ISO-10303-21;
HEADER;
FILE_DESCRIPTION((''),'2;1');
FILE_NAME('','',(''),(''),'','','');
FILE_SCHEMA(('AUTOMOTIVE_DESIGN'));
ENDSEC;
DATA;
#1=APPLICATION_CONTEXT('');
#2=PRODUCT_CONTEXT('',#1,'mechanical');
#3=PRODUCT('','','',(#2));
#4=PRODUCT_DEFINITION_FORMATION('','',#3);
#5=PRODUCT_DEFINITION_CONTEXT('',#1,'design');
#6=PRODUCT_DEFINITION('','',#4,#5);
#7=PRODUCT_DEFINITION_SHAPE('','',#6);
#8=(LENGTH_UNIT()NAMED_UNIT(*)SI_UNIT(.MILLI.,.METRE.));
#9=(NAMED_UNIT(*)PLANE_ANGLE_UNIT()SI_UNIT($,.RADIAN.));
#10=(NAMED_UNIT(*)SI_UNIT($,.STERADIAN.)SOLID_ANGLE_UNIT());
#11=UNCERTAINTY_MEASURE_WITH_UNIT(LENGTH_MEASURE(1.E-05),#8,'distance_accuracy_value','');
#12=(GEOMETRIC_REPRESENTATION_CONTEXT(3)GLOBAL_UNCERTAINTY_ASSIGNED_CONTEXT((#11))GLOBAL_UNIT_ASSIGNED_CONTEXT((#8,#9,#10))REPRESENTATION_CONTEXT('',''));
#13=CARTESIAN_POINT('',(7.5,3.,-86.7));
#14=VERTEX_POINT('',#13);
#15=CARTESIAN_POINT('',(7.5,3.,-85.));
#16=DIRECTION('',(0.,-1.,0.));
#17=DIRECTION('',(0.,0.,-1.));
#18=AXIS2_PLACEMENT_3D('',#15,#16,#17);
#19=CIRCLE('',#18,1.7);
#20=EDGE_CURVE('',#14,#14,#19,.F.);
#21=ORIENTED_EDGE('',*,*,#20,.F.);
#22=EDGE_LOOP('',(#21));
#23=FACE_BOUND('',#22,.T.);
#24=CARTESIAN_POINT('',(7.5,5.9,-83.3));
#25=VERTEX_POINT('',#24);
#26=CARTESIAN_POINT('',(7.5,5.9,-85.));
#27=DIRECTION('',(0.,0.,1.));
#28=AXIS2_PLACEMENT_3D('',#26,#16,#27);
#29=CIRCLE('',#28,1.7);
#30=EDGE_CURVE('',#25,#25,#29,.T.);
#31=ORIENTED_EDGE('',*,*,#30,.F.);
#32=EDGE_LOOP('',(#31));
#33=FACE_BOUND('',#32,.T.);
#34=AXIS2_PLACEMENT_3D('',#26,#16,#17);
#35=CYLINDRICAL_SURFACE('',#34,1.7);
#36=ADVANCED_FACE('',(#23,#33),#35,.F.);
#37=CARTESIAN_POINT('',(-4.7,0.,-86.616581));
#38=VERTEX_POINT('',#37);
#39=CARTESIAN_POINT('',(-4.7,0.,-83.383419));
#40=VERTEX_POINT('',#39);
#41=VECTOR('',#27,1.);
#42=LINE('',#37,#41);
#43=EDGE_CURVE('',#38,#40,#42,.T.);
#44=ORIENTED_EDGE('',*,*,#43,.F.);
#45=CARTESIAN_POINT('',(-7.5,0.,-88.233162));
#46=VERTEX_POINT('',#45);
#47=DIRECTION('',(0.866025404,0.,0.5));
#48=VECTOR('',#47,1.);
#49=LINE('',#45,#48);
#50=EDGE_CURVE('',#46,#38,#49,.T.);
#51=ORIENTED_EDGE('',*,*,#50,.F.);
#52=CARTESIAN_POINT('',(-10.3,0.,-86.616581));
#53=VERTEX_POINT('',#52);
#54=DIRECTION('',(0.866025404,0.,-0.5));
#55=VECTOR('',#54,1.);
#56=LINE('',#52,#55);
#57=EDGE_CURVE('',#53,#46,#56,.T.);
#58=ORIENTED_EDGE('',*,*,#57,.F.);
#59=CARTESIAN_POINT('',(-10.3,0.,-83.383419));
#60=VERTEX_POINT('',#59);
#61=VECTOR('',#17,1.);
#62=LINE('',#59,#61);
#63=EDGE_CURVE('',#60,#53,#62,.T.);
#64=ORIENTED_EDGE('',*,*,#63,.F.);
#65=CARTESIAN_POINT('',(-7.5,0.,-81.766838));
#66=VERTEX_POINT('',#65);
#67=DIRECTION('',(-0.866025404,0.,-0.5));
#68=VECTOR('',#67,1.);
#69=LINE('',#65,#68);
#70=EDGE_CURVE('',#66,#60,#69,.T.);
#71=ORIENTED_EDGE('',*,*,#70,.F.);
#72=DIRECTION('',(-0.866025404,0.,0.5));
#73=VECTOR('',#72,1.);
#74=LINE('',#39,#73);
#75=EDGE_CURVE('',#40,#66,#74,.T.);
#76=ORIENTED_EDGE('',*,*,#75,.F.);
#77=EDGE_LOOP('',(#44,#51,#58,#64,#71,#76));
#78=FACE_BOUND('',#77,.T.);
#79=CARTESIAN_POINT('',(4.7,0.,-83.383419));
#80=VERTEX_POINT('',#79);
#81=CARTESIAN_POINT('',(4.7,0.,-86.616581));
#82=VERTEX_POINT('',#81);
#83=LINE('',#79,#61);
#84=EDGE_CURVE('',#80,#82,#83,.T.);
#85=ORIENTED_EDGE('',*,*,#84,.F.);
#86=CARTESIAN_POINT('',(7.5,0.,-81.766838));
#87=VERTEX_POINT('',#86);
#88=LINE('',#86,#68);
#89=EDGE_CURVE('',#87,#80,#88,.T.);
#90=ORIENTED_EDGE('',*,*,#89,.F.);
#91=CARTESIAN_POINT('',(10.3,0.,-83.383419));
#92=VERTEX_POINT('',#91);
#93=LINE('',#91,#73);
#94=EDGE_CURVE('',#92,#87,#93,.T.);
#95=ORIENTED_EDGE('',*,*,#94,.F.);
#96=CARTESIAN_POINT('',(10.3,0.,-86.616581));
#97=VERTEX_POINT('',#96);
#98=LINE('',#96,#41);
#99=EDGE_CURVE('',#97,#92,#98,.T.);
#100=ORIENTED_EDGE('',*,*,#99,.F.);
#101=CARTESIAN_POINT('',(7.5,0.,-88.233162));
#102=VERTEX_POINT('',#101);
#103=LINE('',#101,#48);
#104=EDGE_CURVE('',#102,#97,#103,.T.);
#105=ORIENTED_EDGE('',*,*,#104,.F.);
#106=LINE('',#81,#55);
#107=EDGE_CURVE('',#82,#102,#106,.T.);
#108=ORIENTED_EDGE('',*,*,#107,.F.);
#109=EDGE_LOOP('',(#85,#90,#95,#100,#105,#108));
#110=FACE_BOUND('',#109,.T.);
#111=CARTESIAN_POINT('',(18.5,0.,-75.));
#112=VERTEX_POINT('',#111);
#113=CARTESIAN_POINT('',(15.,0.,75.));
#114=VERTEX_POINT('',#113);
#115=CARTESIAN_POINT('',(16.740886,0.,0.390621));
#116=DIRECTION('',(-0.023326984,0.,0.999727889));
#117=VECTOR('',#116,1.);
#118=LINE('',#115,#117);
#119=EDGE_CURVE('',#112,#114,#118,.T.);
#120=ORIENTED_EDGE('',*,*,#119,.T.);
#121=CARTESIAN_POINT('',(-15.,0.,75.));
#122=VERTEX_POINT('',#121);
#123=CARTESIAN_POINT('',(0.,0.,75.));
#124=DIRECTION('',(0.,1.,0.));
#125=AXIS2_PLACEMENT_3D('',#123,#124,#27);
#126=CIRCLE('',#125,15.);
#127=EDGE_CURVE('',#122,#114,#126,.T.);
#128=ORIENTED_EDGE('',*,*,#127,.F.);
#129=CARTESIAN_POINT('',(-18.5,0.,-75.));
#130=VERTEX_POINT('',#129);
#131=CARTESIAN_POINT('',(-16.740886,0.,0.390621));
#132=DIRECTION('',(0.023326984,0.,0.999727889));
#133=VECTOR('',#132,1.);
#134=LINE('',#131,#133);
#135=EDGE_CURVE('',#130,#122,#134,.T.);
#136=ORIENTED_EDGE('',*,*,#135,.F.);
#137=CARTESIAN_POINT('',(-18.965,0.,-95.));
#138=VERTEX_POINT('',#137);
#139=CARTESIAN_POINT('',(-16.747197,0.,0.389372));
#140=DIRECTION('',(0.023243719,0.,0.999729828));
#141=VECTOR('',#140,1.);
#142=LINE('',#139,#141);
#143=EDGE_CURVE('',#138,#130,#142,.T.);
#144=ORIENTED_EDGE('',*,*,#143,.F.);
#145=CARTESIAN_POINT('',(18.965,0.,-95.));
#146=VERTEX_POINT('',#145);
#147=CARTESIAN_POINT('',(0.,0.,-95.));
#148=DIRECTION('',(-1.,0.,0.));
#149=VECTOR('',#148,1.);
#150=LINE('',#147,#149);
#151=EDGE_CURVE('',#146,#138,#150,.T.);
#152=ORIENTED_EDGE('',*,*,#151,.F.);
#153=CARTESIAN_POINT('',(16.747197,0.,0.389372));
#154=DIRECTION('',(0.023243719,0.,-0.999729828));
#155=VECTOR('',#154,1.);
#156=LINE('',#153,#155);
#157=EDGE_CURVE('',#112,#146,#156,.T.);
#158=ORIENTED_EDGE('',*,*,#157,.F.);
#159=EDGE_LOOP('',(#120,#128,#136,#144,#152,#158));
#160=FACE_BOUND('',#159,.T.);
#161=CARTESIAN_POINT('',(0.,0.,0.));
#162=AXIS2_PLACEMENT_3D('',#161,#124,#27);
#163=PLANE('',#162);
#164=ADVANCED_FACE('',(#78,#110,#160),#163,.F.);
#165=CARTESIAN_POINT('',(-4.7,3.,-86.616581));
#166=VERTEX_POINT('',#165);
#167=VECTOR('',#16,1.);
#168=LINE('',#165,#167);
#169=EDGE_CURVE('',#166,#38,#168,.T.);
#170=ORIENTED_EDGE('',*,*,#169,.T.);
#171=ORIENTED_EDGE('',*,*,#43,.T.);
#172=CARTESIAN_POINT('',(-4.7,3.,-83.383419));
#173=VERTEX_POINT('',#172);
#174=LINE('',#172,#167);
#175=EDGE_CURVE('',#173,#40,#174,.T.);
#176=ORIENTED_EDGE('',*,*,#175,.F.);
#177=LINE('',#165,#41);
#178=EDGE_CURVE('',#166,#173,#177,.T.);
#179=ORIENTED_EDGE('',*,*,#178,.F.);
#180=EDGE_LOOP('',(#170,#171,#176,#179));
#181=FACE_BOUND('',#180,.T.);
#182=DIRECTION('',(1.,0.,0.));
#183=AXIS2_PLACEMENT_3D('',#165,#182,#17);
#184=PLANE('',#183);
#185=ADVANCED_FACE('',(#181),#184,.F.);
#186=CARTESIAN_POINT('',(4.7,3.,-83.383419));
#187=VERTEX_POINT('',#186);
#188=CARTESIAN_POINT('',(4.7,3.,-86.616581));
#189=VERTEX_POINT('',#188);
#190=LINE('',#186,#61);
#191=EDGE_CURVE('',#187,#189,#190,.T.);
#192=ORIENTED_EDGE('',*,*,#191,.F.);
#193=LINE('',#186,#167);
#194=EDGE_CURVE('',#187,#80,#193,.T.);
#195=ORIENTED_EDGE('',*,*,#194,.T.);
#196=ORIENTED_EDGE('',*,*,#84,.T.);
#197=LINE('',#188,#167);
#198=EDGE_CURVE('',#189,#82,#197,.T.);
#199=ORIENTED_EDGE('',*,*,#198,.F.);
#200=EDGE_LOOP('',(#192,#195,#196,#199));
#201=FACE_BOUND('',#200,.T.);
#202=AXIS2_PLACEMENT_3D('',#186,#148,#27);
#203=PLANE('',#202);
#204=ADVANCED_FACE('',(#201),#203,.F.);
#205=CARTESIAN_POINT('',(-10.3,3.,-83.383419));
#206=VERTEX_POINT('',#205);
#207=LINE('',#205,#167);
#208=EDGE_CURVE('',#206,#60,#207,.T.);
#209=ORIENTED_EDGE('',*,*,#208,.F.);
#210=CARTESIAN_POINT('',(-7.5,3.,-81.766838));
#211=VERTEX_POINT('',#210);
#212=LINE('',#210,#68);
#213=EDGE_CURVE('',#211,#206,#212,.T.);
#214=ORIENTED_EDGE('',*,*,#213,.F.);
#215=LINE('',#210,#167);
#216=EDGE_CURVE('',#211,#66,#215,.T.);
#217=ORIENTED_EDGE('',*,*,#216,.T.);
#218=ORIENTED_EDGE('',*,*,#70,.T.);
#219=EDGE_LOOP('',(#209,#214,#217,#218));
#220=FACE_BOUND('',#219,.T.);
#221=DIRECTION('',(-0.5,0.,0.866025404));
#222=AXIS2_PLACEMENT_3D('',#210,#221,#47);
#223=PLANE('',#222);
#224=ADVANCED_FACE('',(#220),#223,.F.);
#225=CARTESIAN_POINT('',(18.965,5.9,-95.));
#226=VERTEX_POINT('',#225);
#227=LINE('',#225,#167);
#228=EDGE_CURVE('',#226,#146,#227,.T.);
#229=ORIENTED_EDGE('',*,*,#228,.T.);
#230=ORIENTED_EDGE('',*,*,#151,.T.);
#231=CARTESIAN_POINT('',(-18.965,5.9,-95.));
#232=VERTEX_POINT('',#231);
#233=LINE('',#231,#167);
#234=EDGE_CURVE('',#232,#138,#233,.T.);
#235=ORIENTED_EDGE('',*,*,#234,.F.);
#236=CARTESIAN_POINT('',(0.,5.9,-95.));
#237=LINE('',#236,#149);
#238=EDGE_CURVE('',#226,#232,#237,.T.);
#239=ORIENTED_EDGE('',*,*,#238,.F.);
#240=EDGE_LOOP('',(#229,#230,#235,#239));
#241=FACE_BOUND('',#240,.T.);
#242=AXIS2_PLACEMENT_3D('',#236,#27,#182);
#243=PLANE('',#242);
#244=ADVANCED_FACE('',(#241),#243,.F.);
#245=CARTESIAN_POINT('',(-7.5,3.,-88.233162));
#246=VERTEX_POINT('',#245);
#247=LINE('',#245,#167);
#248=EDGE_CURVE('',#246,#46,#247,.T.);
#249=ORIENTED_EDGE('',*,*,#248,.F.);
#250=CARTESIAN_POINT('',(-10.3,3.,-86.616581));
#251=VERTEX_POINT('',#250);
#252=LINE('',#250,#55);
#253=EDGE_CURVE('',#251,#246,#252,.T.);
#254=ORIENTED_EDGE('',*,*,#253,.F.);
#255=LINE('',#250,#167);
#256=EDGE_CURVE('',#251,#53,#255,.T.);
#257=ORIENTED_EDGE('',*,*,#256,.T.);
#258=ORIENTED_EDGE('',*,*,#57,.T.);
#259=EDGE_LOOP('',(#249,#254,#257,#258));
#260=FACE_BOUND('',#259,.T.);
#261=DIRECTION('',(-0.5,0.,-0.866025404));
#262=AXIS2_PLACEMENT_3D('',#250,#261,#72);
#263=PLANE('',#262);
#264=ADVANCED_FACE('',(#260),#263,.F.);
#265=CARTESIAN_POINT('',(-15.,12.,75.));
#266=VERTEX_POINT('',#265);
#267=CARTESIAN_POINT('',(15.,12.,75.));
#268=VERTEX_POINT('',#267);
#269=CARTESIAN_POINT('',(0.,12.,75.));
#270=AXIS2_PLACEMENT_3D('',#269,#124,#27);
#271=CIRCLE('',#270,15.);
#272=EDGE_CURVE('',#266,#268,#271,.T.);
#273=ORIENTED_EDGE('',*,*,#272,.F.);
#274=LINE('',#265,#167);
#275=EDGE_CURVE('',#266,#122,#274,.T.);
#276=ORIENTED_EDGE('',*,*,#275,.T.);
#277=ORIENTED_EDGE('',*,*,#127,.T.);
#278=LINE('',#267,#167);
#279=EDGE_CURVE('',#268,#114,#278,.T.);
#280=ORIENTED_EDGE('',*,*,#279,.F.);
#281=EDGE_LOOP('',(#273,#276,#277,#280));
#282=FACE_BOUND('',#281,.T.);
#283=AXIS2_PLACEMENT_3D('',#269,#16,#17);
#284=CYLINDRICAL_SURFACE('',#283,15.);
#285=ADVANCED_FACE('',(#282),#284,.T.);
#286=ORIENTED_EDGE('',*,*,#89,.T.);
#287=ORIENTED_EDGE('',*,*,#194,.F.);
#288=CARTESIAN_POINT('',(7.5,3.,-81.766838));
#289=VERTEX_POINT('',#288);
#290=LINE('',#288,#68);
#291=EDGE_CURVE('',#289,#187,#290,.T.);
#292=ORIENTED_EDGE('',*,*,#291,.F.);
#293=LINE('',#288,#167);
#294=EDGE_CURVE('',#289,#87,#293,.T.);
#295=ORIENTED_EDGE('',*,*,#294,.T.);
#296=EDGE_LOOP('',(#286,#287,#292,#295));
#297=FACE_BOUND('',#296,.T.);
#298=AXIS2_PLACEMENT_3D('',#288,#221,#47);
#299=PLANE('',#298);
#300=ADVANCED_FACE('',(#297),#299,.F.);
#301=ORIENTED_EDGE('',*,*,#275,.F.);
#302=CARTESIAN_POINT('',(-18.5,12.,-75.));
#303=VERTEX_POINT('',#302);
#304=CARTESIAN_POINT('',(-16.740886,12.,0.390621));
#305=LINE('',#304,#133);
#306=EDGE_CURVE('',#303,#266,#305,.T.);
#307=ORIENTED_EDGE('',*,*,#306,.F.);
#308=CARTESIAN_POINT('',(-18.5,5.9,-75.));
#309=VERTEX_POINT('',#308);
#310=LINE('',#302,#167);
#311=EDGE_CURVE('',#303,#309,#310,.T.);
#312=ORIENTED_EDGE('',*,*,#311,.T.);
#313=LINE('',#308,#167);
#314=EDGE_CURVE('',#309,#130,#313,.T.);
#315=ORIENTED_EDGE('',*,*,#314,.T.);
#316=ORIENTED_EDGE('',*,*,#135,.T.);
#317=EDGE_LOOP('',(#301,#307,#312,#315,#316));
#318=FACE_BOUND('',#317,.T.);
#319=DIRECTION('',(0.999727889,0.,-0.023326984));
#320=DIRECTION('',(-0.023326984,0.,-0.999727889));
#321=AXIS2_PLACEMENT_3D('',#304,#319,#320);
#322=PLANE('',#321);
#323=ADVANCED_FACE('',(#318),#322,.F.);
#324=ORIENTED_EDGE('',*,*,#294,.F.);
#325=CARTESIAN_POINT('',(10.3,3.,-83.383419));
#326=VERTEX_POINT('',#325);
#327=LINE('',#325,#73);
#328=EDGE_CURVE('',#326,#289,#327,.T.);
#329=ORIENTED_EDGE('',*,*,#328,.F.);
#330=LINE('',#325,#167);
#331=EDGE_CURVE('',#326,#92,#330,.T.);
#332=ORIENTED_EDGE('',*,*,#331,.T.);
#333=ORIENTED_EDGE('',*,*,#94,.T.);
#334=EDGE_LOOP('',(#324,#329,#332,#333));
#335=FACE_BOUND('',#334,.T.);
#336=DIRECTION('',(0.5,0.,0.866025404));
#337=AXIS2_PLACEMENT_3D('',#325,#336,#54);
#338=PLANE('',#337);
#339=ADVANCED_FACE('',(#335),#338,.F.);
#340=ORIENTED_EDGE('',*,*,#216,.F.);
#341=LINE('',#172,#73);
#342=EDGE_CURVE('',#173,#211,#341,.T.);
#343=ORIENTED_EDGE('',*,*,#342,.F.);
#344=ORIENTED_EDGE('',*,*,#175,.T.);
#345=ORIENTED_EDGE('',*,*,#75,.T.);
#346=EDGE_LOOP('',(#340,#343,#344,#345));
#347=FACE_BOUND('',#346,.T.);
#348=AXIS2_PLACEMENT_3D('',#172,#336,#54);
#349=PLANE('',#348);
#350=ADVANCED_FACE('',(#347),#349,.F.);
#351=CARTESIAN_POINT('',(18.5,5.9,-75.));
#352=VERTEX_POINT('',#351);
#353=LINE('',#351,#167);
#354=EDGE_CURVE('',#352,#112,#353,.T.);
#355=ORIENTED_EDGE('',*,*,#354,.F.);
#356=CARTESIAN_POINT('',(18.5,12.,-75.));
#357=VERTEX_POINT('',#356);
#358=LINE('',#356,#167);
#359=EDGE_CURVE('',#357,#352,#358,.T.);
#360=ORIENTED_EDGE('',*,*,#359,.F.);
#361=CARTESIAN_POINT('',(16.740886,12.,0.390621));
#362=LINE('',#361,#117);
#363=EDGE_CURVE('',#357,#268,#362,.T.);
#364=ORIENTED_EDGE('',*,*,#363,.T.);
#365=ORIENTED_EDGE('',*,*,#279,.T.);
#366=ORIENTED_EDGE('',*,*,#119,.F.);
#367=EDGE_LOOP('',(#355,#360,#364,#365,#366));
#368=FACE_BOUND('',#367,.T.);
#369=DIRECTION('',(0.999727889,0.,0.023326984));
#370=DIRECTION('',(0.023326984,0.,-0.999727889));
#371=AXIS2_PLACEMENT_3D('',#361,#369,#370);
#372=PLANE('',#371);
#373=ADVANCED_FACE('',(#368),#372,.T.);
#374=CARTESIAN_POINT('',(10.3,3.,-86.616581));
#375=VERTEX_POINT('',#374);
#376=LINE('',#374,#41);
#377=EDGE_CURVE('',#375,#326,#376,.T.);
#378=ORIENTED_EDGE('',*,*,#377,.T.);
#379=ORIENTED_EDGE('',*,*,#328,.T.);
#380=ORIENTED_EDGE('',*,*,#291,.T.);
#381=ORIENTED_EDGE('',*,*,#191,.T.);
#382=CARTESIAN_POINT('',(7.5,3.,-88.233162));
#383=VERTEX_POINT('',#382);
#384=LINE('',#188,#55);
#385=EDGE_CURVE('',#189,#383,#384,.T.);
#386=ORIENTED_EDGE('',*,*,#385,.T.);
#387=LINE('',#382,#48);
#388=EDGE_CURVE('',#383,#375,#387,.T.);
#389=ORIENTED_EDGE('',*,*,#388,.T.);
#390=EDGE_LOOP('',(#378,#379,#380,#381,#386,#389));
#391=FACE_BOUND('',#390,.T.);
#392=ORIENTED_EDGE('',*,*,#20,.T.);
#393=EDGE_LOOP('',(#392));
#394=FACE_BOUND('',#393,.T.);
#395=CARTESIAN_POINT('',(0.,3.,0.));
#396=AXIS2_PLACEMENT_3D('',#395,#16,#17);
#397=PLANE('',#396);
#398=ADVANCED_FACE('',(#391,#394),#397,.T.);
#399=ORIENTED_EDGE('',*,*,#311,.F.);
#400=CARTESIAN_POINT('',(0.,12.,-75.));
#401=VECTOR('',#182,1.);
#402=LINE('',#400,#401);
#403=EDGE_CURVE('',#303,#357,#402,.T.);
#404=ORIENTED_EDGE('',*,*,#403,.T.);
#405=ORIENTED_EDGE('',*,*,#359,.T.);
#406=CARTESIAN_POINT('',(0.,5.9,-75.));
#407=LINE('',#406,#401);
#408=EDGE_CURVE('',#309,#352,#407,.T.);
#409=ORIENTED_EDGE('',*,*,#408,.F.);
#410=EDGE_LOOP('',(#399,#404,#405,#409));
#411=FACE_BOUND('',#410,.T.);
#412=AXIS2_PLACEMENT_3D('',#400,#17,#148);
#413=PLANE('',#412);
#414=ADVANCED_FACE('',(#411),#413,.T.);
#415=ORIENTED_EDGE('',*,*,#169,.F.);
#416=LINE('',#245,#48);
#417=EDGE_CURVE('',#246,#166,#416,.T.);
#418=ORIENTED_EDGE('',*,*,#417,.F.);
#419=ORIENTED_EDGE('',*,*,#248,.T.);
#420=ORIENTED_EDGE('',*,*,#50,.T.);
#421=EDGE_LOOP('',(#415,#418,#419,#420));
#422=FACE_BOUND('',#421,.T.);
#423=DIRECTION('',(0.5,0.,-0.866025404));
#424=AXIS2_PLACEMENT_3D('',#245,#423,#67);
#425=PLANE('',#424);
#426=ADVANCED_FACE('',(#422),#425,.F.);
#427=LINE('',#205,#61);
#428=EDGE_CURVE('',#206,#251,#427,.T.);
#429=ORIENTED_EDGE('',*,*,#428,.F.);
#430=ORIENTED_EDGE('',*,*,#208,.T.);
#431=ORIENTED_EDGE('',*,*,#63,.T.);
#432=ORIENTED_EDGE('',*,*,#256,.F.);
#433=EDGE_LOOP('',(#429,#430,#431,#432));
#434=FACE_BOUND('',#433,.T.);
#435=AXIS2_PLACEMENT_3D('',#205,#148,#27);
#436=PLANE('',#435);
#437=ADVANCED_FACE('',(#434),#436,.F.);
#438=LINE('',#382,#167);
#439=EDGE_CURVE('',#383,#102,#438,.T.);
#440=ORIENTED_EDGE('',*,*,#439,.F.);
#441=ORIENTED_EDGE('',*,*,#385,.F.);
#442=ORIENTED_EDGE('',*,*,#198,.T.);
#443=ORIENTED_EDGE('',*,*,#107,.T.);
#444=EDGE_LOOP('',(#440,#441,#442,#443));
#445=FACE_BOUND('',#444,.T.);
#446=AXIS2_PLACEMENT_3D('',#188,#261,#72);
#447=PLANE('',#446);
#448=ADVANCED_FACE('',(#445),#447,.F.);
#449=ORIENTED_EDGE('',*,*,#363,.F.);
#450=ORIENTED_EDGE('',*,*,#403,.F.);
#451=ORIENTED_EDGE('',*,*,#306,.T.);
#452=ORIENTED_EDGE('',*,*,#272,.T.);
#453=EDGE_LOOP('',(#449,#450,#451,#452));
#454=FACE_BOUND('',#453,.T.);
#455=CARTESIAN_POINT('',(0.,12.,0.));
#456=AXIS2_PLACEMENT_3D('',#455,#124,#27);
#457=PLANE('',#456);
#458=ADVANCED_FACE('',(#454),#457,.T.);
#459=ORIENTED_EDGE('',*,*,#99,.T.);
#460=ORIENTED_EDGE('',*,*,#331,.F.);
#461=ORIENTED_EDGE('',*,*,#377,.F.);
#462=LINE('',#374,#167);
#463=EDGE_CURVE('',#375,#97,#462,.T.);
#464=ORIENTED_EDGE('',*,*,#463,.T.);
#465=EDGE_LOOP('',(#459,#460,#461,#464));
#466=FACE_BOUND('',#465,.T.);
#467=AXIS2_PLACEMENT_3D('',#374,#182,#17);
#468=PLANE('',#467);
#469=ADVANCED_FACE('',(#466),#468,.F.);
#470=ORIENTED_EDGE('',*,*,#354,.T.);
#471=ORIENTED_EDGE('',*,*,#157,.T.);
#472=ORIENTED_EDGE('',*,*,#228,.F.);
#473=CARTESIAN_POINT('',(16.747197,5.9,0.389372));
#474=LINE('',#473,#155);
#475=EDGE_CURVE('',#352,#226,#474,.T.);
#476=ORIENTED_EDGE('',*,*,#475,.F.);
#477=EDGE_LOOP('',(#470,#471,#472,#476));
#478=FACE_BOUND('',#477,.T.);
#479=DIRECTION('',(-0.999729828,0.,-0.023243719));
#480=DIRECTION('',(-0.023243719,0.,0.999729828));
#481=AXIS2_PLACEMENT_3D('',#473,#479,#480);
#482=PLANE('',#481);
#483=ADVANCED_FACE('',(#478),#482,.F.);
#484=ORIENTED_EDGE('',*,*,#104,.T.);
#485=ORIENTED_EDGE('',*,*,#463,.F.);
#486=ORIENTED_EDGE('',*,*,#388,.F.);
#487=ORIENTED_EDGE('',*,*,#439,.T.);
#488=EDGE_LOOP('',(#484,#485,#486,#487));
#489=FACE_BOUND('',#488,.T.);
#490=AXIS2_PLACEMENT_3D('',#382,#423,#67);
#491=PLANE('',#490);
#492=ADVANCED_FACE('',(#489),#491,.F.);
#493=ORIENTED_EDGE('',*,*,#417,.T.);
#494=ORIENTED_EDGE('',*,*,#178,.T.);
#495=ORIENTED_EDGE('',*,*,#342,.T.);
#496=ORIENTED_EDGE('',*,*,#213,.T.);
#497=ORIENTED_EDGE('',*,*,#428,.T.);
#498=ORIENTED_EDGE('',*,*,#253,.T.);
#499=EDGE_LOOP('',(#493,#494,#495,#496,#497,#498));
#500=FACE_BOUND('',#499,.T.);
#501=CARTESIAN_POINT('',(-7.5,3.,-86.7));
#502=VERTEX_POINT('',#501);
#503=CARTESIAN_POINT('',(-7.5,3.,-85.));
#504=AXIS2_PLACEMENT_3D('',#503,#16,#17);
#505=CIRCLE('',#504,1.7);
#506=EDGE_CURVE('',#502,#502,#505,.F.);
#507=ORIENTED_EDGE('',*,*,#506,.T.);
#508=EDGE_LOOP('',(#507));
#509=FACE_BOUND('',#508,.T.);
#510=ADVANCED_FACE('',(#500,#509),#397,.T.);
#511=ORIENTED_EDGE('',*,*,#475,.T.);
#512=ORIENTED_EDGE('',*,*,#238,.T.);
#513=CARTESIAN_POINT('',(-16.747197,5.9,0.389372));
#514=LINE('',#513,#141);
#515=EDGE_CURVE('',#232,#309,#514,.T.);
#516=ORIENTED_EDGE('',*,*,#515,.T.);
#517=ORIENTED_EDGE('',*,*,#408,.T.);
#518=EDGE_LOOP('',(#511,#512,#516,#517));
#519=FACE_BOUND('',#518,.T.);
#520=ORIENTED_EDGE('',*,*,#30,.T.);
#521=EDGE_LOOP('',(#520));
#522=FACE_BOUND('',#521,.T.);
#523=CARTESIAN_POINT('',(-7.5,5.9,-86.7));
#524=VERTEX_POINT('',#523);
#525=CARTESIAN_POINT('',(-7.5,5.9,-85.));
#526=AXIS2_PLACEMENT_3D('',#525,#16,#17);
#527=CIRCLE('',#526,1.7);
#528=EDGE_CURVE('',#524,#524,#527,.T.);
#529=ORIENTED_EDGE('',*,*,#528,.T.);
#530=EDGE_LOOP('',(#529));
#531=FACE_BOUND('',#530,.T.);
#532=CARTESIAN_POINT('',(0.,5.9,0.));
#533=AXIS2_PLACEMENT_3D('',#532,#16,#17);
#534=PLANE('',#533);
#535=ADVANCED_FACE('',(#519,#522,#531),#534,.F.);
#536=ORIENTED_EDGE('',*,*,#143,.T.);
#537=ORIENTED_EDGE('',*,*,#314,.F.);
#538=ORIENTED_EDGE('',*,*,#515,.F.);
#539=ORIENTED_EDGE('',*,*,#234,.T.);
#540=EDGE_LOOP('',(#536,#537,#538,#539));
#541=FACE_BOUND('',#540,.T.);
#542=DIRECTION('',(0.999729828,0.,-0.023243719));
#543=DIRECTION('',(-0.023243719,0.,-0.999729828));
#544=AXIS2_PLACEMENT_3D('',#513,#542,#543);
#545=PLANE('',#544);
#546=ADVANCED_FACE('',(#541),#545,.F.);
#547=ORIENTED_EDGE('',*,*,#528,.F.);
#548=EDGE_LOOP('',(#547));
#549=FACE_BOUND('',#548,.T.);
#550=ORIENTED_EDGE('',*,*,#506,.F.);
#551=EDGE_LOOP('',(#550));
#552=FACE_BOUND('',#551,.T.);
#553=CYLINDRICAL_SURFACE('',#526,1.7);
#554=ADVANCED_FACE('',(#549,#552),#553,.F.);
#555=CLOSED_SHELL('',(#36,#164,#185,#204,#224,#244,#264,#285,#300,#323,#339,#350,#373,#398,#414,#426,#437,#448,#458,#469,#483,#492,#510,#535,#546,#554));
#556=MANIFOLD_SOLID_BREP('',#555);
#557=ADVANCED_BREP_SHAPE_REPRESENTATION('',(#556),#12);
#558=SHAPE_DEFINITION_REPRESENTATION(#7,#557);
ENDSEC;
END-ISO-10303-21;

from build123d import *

# Parameters (mm, degrees)
BOSS_EXTRUDE1_DEPTH = 12
BOSS_EXTRUDE2_DEPTH = 5.9
SKETCH3_R           = 1.7
CUT_EXTRUDE1_DEPTH  = 5.9
CUT_EXTRUDE2_DEPTH  = 3


with BuildPart() as part:
    # Sketch1 → Boss-Extrude1 (new body)
    with BuildSketch(Plane(origin=(0, 0, 0), x_dir=(1, 0, 0), z_dir=(0, 1, 0))):
        with BuildLine():
            Line((18.5, 75), (-18.5, 75))
            Line((-18.5, 75), (-15, -75))
            ThreePointArc((-15, -75), (0, -90), (15, -75))
            Line((15, -75), (18.5, 75))
        make_face()
    extrude(amount=BOSS_EXTRUDE1_DEPTH)

    # Sketch2 → Boss-Extrude2 (add)
    with BuildSketch(Plane.XZ):
        Polygon((-18.965, -95), (18.965, -95), (18.5, -75), (-18.5, -75), align=None)
        with BuildLine():
            Line((-18.5, -75), (18.5, -75))
            Line((18.5, -75), (15, 75))
            ThreePointArc((15, 75), (0, 90), (-15, 75))
            Line((-15, 75), (-18.5, -75))
        make_face()
    extrude(amount=-BOSS_EXTRUDE2_DEPTH)

    # Sketch3 → Cut-Extrude1 (cut)
    with BuildSketch(Plane.XZ):
        with Locations((-7.5, -85)):
            Circle(SKETCH3_R)
        with Locations((7.5, -85)):
            Circle(SKETCH3_R)
    extrude(amount=-CUT_EXTRUDE1_DEPTH, mode=Mode.SUBTRACT)

    # Sketch4 → Cut-Extrude2 (cut)
    with BuildSketch(Plane.XZ):
        Polygon((-7.5, -81.766838493), (-10.3, -83.383419246), (-10.3, -86.616580754), (-7.5, -88.233161507), (-4.7, -86.616580754), (-4.7, -83.383419246), align=None)
        Polygon((7.5, -81.766838493), (4.7, -83.383419246), (4.7, -86.616580754), (7.5, -88.233161507), (10.3, -86.616580754), (10.3, -83.383419246), align=None)
    extrude(amount=-CUT_EXTRUDE2_DEPTH, mode=Mode.SUBTRACT)


solid = part.part
